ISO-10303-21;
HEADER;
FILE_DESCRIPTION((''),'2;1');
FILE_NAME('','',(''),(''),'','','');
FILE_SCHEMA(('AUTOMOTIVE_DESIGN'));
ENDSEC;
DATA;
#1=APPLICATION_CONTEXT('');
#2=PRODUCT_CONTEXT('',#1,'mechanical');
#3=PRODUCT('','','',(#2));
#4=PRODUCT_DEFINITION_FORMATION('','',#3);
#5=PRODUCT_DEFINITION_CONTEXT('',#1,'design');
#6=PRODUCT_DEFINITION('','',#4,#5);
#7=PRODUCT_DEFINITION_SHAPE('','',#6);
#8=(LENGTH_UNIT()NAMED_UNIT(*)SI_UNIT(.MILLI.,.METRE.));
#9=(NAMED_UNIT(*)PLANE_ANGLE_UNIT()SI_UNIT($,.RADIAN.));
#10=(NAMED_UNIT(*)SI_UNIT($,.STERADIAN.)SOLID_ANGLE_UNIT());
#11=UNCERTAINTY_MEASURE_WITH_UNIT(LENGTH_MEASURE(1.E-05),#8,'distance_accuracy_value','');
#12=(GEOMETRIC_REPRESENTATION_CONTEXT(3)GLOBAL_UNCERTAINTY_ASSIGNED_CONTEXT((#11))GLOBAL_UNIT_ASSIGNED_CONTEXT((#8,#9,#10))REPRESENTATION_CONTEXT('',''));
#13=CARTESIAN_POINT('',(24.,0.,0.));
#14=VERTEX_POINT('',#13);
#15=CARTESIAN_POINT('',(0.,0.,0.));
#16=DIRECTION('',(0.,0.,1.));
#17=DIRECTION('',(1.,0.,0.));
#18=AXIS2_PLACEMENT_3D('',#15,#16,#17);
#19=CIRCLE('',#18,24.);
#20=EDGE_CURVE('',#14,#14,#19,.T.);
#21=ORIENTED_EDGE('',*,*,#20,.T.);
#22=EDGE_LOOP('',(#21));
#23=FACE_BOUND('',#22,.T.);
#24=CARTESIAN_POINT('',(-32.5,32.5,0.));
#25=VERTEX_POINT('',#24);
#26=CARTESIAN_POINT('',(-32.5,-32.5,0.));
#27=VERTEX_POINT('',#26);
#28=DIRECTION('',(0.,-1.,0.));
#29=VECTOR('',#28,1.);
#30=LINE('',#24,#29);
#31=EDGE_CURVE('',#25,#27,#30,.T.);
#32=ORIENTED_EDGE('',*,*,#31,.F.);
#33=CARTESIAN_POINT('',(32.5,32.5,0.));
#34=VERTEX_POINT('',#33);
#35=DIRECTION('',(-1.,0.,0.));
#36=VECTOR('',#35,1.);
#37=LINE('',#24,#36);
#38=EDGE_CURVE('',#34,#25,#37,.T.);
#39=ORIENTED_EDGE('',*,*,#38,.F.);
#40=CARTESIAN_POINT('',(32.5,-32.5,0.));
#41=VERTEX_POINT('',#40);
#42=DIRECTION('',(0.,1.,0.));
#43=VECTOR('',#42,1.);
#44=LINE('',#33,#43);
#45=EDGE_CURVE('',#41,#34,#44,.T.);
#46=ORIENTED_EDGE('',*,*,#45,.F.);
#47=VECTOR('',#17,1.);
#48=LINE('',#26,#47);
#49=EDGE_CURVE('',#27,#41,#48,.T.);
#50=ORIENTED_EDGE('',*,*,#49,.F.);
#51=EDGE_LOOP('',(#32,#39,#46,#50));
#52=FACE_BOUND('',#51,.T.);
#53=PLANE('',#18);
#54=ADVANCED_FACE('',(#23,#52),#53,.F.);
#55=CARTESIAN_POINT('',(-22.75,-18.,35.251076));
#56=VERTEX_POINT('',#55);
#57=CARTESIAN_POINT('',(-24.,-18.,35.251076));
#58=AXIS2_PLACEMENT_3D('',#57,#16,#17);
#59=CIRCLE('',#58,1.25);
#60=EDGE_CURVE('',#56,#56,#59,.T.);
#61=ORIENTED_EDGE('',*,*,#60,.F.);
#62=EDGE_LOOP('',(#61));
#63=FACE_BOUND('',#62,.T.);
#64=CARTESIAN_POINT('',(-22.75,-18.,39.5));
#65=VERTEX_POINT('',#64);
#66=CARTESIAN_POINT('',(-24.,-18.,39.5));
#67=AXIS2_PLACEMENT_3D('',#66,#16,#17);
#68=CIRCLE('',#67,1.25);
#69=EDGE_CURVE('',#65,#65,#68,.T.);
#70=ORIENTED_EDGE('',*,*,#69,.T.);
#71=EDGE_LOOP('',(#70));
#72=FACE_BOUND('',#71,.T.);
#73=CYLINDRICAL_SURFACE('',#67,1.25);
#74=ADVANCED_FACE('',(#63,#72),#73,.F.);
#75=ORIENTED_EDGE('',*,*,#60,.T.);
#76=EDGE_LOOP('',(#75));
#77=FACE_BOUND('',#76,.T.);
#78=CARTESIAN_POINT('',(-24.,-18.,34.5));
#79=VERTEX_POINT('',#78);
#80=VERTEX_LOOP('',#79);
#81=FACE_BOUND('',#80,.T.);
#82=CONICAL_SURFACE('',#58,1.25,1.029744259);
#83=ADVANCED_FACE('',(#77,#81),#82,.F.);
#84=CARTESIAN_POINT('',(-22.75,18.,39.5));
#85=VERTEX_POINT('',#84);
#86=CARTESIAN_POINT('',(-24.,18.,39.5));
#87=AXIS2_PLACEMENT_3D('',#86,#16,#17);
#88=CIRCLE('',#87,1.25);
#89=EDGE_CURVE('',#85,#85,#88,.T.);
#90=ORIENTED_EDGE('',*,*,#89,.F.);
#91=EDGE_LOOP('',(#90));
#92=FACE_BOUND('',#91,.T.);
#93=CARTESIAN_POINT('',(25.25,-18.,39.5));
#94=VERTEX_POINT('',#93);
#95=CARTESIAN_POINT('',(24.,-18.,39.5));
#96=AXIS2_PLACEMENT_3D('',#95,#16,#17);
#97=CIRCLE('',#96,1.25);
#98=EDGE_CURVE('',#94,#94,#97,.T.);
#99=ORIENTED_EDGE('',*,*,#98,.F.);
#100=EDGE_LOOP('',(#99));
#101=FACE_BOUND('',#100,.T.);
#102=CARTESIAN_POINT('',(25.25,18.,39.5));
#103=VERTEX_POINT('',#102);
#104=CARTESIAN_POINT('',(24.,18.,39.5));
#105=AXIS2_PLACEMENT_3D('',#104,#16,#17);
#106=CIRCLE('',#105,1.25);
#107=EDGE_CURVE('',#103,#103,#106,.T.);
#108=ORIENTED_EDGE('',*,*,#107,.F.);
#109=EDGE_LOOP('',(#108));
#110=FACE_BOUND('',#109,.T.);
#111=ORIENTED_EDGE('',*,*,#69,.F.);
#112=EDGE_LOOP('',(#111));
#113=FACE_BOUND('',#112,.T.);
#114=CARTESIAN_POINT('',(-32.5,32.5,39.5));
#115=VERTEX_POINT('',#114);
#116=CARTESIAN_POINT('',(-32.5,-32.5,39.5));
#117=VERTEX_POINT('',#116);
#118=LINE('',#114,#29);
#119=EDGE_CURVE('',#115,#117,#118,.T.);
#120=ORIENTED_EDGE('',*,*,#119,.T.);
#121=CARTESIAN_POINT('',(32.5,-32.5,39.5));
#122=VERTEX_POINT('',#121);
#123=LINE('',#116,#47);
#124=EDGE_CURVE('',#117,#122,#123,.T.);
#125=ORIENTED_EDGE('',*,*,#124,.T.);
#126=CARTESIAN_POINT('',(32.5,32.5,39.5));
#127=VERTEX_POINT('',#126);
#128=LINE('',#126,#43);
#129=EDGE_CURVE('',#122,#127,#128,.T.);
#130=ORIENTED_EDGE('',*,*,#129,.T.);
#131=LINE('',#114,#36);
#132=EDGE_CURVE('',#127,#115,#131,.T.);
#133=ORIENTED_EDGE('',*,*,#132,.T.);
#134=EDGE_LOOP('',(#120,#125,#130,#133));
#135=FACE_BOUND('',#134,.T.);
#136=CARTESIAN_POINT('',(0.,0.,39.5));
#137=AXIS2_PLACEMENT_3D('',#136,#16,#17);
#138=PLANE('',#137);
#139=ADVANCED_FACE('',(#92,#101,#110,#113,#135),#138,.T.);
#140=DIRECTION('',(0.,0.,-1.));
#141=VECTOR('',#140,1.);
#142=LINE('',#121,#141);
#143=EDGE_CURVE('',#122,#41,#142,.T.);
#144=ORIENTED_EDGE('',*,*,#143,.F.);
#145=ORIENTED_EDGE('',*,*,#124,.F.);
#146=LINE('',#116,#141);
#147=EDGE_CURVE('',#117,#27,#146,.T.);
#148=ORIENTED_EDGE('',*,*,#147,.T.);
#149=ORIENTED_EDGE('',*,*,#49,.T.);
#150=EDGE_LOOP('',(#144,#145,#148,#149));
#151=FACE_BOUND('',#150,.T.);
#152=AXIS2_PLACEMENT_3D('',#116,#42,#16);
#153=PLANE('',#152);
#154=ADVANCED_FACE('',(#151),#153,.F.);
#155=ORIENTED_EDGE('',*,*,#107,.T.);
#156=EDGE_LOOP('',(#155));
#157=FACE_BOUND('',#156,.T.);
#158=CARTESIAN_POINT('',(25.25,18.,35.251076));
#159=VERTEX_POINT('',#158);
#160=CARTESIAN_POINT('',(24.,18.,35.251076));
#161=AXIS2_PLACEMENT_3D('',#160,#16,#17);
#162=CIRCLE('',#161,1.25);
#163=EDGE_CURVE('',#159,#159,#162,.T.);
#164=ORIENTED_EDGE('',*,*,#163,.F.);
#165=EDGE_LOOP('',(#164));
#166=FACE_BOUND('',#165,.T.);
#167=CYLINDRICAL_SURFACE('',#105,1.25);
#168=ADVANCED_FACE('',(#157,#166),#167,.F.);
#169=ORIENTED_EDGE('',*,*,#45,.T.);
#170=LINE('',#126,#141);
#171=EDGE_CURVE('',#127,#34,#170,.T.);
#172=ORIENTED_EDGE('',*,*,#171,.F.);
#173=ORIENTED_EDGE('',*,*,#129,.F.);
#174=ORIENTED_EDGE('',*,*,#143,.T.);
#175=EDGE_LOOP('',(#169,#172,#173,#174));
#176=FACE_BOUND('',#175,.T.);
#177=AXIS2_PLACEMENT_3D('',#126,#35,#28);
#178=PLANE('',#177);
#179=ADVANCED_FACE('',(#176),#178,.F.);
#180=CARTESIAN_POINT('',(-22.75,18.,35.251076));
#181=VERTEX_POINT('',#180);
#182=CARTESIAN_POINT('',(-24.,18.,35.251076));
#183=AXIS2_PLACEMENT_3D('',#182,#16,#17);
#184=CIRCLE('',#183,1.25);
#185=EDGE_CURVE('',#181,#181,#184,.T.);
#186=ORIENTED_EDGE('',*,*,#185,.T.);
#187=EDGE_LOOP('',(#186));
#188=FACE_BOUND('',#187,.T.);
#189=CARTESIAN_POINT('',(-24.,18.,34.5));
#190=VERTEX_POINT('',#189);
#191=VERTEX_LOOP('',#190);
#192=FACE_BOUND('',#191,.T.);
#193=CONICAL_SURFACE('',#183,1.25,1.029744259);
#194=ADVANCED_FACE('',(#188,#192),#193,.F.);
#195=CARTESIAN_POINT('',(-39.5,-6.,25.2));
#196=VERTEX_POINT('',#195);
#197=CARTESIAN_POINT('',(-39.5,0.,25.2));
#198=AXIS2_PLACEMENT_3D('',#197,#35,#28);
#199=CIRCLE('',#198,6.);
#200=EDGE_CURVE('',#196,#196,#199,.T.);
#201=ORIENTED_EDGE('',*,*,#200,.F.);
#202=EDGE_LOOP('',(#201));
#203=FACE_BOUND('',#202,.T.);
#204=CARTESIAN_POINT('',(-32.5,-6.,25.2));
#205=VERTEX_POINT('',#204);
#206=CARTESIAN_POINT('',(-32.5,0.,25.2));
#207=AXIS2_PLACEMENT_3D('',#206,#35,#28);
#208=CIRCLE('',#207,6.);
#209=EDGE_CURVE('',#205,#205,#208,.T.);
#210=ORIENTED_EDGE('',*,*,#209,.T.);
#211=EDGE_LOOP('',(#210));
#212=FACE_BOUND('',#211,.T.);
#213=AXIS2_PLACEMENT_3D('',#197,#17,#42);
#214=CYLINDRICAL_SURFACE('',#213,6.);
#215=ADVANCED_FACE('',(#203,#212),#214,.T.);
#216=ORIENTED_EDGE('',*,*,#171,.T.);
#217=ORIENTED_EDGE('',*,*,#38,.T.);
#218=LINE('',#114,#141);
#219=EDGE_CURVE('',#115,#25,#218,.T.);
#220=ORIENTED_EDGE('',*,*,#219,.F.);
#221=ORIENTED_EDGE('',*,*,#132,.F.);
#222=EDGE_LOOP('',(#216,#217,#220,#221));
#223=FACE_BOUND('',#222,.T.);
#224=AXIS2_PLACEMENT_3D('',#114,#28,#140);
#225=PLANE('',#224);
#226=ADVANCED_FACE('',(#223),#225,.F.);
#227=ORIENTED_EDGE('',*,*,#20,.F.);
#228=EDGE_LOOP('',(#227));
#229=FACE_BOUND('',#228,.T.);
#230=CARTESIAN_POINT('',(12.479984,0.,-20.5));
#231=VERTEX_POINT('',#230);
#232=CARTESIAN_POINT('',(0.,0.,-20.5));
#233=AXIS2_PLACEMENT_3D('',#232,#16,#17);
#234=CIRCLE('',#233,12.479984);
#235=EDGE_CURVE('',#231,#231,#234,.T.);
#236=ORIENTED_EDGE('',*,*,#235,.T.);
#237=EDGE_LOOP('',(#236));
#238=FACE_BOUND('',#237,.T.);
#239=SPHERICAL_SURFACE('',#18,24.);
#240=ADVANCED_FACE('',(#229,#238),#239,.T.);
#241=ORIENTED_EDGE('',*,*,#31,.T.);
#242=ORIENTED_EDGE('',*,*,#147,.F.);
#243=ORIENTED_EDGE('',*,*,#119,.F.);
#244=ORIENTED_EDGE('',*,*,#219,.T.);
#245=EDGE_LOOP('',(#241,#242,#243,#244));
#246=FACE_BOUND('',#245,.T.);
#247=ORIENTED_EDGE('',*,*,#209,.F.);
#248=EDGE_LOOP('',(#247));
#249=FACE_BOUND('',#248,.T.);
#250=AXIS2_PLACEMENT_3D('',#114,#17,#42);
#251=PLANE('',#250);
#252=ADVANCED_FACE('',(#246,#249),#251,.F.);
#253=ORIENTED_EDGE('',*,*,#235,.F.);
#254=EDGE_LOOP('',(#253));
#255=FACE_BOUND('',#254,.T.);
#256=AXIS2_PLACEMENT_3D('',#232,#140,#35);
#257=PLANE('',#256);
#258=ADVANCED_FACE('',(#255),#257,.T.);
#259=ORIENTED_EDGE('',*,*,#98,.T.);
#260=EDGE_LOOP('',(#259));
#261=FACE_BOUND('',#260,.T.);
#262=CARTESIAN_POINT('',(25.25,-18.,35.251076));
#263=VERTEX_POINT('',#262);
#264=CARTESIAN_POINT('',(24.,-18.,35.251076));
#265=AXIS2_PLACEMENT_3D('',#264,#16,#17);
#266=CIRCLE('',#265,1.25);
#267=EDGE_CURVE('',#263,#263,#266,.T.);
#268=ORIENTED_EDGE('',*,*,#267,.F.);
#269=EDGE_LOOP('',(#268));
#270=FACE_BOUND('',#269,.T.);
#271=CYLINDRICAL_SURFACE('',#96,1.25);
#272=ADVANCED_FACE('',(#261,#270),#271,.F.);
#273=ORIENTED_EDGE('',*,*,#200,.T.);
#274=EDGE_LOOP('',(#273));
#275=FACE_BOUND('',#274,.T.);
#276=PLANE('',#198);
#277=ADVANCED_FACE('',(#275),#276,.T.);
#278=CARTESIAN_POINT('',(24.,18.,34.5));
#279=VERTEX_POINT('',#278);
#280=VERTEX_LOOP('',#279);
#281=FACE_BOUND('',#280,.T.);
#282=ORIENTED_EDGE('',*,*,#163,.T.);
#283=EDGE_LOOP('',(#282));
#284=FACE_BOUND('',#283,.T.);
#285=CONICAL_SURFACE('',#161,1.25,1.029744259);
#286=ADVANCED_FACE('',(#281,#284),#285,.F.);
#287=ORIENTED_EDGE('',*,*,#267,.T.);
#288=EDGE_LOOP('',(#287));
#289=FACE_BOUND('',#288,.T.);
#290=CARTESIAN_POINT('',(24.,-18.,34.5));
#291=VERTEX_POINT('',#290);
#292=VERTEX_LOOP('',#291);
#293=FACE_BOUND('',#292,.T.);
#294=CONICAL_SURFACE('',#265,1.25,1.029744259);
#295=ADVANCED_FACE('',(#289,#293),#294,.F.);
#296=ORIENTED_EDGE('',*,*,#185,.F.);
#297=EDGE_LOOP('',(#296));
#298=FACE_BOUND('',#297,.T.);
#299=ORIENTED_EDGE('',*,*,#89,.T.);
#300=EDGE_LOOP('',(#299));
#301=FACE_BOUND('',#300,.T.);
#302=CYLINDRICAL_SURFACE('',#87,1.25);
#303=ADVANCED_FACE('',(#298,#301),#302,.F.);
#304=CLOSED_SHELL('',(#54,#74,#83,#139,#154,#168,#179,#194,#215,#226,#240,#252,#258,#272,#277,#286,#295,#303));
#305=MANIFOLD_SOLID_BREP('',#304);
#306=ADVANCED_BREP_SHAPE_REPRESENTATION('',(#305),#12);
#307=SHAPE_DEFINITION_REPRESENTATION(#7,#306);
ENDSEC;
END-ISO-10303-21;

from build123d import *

# Parameters (mm, degrees)
SCHIZZO1_W                   = 65
SCHIZZO1_H                   = 65
ESTRUSIONE_ESTRUSIONE1_DEPTH = 39.5
SCHIZZO14_R                  = 6
ESTRUSIONE_ESTRUSIONE2_DEPTH = 7
FORO_FILETTATO_M3_1_D        = 2.5
FORO_FILETTATO_M3_1_DEPTH    = 4.248924226
FORO_FILETTATO_M3_1_TIP      = 0.751075774


with BuildPart() as part:
    # Schizzo1 → Estrusione-Estrusione1 (new body)
    with BuildSketch(Plane.XY):
        Rectangle(SCHIZZO1_W, SCHIZZO1_H)
    extrude(amount=ESTRUSIONE_ESTRUSIONE1_DEPTH)

    # Schizzo2 → Rivoluzione1 (revolve)
    with BuildSketch(Plane(origin=(0, 0, 0), x_dir=(1, 0, 0), z_dir=(0, 1, 0))):
        with BuildLine():
            Line((0, 0), (0, 20.5))
            Line((0, 20.5), (12.479983974, 20.5))
            ThreePointArc((12.479983974, 20.5), (20.922710333, 11.757558943), (24, 0))
            Line((24, 0), (0, 0))
        make_face()
    revolve(axis=Axis((0, 0, 0), (0, 0, -1)))

    # Schizzo14 → Estrusione-Estrusione2 (add)
    with BuildSketch(Plane.ZY.offset(32.5)):
        with Locations(Location((25.2, 0, 0), (0, 0, 270))):
            Circle(SCHIZZO14_R)
    extrude(amount=ESTRUSIONE_ESTRUSIONE2_DEPTH)

    # Foro filettato M3-1
    with Locations(Plane(origin=(-24, 18, 39.5), x_dir=(1, 0, 0), z_dir=(0, 0, 1))):
        with Locations((0, 0), (0, -36), (48, 0), (48, -36)):
            Hole(FORO_FILETTATO_M3_1_D / 2, depth=FORO_FILETTATO_M3_1_DEPTH)
            with Locations((0, 0, -(FORO_FILETTATO_M3_1_DEPTH + FORO_FILETTATO_M3_1_TIP / 2))):  # 118° drill point
                Cone(0, FORO_FILETTATO_M3_1_D / 2, FORO_FILETTATO_M3_1_TIP, mode=Mode.SUBTRACT)


solid = part.part
